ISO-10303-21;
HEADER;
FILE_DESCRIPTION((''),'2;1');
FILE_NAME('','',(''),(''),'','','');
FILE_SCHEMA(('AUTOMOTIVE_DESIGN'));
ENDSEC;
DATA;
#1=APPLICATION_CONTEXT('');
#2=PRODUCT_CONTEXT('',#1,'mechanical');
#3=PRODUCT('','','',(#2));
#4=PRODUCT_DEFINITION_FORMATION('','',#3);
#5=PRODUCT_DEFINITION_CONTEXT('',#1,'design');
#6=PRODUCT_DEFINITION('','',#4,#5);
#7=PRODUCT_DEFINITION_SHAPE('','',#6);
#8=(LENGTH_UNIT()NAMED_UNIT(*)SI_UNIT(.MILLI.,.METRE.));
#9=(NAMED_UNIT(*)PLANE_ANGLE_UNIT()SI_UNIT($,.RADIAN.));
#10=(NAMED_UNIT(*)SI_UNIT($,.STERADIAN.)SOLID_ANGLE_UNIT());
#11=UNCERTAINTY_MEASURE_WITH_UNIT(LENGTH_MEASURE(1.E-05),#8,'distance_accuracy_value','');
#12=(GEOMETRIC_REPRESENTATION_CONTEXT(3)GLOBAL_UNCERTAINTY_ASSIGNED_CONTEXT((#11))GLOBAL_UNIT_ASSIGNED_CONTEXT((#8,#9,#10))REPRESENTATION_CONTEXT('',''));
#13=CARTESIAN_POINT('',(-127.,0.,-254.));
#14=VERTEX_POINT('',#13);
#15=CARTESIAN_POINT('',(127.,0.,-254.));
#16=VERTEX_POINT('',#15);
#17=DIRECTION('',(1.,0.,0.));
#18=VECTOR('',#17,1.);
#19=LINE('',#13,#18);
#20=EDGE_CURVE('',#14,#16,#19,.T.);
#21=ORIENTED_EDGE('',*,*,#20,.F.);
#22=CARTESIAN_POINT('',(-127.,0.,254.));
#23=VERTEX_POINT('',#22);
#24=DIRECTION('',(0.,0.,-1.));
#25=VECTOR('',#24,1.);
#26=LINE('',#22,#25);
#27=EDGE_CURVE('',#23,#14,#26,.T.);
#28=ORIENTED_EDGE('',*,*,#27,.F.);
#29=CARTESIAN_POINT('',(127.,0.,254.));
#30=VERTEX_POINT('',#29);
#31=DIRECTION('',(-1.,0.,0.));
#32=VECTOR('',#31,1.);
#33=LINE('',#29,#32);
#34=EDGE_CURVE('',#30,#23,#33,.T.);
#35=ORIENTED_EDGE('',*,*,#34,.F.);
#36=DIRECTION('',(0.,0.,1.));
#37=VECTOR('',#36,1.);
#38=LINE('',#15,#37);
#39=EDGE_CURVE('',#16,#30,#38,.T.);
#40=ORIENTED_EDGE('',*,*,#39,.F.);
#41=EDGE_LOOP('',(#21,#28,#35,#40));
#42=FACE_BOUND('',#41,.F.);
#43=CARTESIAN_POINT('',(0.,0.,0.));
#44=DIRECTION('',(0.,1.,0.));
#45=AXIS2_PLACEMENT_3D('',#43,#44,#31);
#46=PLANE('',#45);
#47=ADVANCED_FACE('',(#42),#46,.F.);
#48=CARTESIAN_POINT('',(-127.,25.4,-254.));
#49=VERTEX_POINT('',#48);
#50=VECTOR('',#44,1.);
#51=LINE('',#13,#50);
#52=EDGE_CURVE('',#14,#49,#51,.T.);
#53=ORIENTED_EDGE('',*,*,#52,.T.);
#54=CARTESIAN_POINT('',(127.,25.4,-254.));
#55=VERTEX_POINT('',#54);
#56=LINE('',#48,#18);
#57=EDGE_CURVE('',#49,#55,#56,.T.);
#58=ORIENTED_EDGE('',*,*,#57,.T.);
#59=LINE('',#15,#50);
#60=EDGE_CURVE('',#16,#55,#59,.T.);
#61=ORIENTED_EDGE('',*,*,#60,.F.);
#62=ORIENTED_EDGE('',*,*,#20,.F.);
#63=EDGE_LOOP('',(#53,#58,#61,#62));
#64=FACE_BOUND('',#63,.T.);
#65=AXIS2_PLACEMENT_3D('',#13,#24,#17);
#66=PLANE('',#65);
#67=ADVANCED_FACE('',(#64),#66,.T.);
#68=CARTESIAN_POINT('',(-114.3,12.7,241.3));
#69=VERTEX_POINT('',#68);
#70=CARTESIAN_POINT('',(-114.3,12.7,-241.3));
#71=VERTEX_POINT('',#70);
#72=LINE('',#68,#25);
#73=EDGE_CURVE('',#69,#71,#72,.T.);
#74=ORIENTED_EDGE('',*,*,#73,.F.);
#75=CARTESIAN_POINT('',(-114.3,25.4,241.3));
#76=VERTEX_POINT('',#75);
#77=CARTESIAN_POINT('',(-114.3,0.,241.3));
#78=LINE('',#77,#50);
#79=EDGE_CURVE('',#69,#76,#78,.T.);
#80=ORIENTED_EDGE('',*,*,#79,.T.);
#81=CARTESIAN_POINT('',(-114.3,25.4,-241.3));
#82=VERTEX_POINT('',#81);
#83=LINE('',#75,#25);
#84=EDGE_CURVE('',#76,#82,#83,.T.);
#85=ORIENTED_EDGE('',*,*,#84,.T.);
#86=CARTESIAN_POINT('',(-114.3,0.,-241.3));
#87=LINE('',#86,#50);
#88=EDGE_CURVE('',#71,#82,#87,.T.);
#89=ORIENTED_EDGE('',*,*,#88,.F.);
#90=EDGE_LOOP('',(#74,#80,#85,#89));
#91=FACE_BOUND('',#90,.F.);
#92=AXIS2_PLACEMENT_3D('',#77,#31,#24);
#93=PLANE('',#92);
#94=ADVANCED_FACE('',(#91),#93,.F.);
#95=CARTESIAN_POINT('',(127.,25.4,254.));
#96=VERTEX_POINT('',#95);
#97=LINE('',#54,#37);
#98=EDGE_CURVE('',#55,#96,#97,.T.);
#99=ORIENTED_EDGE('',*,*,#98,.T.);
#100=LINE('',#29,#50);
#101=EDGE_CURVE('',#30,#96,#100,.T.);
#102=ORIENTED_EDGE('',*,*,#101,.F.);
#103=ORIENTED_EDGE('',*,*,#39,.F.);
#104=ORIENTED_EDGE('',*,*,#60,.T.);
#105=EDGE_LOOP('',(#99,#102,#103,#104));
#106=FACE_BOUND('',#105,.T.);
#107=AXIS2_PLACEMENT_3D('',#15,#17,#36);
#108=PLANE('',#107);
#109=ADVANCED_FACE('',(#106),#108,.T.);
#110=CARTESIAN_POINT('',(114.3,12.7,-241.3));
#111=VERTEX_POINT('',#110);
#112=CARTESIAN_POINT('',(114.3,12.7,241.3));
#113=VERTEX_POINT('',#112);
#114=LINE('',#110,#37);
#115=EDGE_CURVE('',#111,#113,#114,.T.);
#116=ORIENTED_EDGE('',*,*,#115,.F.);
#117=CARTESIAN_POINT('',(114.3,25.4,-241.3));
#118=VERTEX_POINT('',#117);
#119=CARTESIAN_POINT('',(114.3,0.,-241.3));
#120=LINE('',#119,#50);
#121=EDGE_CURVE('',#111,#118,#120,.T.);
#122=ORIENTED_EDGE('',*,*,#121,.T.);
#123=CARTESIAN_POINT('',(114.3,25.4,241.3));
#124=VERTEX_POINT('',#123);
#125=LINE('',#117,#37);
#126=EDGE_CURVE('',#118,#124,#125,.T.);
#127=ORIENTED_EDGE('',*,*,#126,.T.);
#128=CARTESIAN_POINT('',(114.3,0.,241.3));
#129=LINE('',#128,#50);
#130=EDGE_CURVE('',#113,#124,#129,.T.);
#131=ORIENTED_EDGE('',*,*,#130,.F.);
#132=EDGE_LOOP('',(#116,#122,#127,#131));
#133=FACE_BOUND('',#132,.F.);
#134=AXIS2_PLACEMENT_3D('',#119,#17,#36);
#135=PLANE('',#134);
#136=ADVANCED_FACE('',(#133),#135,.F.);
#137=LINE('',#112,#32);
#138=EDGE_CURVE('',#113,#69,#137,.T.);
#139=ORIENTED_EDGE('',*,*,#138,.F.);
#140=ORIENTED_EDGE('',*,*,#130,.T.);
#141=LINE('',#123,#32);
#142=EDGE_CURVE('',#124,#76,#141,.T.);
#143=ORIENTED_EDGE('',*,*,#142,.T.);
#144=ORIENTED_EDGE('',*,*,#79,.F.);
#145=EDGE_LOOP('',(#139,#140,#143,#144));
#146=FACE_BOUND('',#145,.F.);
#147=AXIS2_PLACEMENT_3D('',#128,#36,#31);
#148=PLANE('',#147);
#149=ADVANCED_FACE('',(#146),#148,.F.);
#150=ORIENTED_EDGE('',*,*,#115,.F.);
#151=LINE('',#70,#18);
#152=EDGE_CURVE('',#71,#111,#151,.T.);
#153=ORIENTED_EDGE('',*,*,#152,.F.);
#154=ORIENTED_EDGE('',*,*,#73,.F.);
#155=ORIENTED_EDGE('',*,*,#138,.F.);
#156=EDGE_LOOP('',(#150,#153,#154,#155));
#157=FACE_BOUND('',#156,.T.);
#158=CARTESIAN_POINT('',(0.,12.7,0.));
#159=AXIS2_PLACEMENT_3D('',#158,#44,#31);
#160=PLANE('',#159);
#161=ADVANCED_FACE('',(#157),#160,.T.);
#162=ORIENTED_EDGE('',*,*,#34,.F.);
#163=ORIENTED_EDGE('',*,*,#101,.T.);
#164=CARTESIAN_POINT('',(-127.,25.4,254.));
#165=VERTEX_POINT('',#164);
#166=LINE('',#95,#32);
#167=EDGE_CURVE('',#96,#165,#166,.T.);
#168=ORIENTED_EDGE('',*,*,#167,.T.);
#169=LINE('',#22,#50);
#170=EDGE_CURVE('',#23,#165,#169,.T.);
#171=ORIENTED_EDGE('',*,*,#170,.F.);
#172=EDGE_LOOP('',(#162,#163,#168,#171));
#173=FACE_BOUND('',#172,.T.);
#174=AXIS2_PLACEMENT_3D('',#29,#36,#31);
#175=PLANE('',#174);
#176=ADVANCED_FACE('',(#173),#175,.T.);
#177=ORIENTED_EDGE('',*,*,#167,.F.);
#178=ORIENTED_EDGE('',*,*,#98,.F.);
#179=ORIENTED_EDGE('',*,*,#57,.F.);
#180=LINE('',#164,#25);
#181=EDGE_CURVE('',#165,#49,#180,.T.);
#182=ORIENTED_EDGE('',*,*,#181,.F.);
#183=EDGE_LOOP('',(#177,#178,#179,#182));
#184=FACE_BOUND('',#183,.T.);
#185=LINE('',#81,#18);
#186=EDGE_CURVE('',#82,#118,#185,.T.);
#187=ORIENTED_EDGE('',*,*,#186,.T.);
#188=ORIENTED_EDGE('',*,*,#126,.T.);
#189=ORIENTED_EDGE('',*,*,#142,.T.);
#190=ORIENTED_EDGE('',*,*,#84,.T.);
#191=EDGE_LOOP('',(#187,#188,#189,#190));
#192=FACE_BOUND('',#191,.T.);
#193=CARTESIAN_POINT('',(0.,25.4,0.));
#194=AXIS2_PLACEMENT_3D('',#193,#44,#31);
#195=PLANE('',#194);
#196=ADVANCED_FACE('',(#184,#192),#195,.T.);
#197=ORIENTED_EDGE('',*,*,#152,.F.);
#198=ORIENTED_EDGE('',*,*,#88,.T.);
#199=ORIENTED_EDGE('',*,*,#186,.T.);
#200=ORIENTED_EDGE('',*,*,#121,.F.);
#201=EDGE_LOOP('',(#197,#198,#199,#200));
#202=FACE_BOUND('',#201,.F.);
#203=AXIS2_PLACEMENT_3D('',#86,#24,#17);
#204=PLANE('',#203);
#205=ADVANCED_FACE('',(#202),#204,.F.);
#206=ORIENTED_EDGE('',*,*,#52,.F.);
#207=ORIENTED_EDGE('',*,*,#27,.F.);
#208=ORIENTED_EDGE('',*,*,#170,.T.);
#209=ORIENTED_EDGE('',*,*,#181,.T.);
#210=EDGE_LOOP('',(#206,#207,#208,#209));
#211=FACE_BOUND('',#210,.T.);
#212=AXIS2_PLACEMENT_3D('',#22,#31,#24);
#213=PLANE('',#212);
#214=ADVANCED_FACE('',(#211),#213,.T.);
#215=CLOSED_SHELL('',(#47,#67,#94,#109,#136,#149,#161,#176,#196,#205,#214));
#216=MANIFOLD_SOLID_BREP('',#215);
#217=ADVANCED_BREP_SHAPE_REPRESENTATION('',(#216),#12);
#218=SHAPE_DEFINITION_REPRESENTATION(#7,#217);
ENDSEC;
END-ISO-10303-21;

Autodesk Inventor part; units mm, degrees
ref_plane "YZ Plane" through (0, 0, 0) normal (1, 0, 0) x (0, 1, 0)
ref_plane "XZ Plane" through (0, 0, 0) normal (0, 1, 0) x (-1, 0, 0)
ref_plane "XY Plane" through (0, 0, 0) normal (0, 0, 1) x (1, 0, 0)
sketch "Sketch1" plane through (0, 0, 0) normal (0, 1, 0) x (-1, 0, 0)
  line L0 (-127, 254) -> (127, 254)
  line L1 (127, 254) -> (127, -254)
  line L2 (127, -254) -> (-127, -254)
  line L3 (-127, -254) -> (-127, 254)
  line L4 (-127, 254) -> (127, -254) construction
  line L5 (127, 254) -> (-127, -254) construction
  line L6 (-114.3, 241.3) -> (114.3, 241.3)
  line L7 (114.3, 241.3) -> (114.3, -241.3)
  line L8 (114.3, -241.3) -> (-114.3, -241.3)
  line L9 (-114.3, -241.3) -> (-114.3, 241.3)
  line L10 (-114.3, 241.3) -> (114.3, -241.3) construction
  line L11 (114.3, 241.3) -> (-114.3, -241.3) construction
  point P0 (0, 0)
  dimension "d0" = 508
  dimension "d1" = 254
  dimension "d2" = 482.6
  dimension "d3" = 228.6
extrude "Extrusion1" add sketch "Sketch1" along normal blind 12.7 contours L6 L7 L8 L9
extrude "Extrusion2" add sketch "Sketch1" along normal blind 25.4
properties part number "Potting Tray"
